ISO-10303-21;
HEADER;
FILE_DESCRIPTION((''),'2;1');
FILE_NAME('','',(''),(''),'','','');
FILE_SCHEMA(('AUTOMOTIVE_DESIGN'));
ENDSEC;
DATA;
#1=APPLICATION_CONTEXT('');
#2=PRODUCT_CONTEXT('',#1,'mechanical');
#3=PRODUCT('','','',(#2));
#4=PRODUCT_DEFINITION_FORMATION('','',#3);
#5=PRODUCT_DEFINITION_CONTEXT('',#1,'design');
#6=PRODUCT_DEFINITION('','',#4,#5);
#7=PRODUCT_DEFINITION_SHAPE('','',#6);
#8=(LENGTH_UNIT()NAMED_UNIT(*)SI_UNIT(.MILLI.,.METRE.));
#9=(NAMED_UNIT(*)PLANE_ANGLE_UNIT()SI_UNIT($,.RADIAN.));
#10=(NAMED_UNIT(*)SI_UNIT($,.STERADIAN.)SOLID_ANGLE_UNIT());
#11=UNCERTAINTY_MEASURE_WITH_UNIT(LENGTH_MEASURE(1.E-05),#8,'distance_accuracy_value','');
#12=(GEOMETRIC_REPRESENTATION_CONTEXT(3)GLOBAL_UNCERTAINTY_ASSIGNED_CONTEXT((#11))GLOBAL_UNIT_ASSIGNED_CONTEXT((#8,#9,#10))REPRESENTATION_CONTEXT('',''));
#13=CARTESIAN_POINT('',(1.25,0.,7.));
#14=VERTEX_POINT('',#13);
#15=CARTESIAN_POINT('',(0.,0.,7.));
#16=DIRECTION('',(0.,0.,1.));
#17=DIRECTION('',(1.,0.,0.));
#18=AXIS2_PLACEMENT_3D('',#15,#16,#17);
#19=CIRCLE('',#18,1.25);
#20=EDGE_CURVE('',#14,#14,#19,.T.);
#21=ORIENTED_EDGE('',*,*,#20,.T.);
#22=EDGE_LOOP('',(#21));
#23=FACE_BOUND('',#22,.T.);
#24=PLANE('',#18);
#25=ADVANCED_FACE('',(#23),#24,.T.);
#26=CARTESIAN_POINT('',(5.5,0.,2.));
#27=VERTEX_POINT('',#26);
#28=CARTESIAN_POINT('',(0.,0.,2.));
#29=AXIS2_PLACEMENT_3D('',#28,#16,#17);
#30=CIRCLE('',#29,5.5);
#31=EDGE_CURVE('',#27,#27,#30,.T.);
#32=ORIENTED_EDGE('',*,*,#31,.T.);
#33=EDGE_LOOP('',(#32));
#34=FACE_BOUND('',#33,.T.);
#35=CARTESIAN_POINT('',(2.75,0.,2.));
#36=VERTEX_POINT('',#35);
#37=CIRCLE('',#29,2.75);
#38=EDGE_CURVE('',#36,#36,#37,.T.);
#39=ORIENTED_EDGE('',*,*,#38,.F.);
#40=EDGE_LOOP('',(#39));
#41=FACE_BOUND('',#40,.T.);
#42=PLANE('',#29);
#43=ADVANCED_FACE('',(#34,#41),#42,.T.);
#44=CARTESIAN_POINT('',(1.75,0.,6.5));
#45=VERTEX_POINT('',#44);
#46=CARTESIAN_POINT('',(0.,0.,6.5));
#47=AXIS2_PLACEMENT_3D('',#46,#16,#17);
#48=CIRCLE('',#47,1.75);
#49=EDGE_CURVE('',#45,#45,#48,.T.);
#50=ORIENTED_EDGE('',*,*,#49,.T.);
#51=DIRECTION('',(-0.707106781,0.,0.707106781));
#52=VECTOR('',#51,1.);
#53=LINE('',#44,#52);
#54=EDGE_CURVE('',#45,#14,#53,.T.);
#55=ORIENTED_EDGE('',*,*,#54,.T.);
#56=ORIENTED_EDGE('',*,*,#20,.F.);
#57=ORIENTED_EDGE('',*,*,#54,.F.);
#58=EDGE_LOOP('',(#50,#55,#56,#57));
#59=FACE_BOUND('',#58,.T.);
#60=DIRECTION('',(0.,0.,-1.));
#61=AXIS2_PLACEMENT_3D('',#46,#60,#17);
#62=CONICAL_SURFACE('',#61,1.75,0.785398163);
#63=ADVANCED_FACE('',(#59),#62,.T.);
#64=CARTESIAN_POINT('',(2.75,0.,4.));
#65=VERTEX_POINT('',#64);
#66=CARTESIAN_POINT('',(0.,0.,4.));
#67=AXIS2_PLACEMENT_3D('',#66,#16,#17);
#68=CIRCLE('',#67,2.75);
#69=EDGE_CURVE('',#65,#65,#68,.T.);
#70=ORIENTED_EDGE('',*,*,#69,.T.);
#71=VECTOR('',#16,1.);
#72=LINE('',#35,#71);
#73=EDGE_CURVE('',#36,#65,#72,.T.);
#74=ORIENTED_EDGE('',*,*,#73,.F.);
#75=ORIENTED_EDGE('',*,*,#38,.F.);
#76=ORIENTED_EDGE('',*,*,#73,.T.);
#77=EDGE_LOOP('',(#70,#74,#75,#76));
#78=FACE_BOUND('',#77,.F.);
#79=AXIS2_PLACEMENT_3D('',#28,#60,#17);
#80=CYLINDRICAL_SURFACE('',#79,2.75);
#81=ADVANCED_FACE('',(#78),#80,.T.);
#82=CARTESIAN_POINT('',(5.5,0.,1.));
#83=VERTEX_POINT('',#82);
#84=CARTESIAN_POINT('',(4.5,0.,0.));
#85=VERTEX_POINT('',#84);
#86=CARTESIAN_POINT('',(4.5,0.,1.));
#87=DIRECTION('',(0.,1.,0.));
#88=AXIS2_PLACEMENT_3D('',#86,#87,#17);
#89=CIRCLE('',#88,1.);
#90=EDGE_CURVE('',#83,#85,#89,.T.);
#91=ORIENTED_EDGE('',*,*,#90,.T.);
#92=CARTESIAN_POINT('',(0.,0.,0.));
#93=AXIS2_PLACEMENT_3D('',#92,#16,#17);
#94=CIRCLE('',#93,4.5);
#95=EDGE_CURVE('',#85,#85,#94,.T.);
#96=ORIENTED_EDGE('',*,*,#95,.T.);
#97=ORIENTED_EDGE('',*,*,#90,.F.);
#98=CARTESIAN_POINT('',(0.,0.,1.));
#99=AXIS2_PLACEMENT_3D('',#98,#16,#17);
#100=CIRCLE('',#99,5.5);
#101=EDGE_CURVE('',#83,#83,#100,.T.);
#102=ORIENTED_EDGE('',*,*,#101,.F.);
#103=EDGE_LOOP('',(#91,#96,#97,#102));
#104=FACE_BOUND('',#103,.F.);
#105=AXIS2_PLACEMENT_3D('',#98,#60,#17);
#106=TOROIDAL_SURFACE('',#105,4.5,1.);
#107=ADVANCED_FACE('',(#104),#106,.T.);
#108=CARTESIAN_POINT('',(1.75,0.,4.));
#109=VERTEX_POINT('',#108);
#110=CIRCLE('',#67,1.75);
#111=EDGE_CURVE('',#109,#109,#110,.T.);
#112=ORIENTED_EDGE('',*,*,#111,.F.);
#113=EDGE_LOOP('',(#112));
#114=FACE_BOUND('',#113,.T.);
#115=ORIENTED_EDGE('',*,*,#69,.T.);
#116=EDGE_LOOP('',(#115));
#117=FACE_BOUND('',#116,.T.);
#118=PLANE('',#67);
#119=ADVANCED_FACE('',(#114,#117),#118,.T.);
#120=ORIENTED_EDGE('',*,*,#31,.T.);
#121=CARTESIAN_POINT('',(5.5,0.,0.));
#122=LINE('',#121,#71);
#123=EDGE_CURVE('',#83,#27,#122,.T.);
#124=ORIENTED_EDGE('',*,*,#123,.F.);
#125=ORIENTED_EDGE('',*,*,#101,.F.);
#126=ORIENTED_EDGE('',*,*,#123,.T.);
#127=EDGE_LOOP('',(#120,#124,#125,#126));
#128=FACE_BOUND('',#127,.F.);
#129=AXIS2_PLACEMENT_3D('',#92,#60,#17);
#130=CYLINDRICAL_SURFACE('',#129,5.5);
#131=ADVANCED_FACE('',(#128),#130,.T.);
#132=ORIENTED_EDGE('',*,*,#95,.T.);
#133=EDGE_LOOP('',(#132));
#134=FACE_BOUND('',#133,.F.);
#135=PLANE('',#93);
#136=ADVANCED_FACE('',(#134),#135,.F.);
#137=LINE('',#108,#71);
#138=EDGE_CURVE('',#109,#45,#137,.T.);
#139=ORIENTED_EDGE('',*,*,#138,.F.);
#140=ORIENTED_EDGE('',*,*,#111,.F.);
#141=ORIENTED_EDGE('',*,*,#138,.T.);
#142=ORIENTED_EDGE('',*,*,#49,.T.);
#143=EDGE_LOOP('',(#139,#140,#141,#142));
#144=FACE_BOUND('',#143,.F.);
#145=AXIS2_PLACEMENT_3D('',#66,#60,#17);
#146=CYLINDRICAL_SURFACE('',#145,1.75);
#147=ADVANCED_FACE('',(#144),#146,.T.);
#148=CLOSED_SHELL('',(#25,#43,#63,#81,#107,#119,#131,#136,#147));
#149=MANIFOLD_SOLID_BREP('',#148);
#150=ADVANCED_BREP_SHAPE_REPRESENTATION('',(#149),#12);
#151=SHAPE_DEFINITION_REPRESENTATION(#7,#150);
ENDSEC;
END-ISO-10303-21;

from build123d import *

# Parameters (mm, degrees)
F0_R     = 5.5
F1_DEPTH = 2
F2_R     = 2.75
F3_DEPTH = 2
F4_R     = 1.75
F5_DEPTH = 3
F6_R     = 1
F7_SIZE  = 0.5


with BuildPart() as f1:
    # F0 (on Top) → F1 (new body)
    with BuildSketch(Plane.XY):
        Circle(F0_R)
    extrude(amount=F1_DEPTH)

    # F2 (on face) → F3 (join)
    with BuildSketch(Plane.XY.offset(2)):
        Circle(F2_R)
    extrude(amount=F3_DEPTH)

    # F4 (on face) → F5 (join)
    with BuildSketch(Plane.XY.offset(4)):
        Circle(F4_R)
    extrude(amount=F5_DEPTH)

    # F6
    f6_edges = [f1.edges().sort_by_distance(p)[0] for p in [
        (-5.5, 0, 0),
    ]]
    fillet(f6_edges, radius=F6_R)

    # F7
    f7_edges = [f1.edges().sort_by_distance(p)[0] for p in [
        (-1.75, 0, 7),
    ]]
    chamfer(f7_edges, length=F7_SIZE)


solid = f1.part
